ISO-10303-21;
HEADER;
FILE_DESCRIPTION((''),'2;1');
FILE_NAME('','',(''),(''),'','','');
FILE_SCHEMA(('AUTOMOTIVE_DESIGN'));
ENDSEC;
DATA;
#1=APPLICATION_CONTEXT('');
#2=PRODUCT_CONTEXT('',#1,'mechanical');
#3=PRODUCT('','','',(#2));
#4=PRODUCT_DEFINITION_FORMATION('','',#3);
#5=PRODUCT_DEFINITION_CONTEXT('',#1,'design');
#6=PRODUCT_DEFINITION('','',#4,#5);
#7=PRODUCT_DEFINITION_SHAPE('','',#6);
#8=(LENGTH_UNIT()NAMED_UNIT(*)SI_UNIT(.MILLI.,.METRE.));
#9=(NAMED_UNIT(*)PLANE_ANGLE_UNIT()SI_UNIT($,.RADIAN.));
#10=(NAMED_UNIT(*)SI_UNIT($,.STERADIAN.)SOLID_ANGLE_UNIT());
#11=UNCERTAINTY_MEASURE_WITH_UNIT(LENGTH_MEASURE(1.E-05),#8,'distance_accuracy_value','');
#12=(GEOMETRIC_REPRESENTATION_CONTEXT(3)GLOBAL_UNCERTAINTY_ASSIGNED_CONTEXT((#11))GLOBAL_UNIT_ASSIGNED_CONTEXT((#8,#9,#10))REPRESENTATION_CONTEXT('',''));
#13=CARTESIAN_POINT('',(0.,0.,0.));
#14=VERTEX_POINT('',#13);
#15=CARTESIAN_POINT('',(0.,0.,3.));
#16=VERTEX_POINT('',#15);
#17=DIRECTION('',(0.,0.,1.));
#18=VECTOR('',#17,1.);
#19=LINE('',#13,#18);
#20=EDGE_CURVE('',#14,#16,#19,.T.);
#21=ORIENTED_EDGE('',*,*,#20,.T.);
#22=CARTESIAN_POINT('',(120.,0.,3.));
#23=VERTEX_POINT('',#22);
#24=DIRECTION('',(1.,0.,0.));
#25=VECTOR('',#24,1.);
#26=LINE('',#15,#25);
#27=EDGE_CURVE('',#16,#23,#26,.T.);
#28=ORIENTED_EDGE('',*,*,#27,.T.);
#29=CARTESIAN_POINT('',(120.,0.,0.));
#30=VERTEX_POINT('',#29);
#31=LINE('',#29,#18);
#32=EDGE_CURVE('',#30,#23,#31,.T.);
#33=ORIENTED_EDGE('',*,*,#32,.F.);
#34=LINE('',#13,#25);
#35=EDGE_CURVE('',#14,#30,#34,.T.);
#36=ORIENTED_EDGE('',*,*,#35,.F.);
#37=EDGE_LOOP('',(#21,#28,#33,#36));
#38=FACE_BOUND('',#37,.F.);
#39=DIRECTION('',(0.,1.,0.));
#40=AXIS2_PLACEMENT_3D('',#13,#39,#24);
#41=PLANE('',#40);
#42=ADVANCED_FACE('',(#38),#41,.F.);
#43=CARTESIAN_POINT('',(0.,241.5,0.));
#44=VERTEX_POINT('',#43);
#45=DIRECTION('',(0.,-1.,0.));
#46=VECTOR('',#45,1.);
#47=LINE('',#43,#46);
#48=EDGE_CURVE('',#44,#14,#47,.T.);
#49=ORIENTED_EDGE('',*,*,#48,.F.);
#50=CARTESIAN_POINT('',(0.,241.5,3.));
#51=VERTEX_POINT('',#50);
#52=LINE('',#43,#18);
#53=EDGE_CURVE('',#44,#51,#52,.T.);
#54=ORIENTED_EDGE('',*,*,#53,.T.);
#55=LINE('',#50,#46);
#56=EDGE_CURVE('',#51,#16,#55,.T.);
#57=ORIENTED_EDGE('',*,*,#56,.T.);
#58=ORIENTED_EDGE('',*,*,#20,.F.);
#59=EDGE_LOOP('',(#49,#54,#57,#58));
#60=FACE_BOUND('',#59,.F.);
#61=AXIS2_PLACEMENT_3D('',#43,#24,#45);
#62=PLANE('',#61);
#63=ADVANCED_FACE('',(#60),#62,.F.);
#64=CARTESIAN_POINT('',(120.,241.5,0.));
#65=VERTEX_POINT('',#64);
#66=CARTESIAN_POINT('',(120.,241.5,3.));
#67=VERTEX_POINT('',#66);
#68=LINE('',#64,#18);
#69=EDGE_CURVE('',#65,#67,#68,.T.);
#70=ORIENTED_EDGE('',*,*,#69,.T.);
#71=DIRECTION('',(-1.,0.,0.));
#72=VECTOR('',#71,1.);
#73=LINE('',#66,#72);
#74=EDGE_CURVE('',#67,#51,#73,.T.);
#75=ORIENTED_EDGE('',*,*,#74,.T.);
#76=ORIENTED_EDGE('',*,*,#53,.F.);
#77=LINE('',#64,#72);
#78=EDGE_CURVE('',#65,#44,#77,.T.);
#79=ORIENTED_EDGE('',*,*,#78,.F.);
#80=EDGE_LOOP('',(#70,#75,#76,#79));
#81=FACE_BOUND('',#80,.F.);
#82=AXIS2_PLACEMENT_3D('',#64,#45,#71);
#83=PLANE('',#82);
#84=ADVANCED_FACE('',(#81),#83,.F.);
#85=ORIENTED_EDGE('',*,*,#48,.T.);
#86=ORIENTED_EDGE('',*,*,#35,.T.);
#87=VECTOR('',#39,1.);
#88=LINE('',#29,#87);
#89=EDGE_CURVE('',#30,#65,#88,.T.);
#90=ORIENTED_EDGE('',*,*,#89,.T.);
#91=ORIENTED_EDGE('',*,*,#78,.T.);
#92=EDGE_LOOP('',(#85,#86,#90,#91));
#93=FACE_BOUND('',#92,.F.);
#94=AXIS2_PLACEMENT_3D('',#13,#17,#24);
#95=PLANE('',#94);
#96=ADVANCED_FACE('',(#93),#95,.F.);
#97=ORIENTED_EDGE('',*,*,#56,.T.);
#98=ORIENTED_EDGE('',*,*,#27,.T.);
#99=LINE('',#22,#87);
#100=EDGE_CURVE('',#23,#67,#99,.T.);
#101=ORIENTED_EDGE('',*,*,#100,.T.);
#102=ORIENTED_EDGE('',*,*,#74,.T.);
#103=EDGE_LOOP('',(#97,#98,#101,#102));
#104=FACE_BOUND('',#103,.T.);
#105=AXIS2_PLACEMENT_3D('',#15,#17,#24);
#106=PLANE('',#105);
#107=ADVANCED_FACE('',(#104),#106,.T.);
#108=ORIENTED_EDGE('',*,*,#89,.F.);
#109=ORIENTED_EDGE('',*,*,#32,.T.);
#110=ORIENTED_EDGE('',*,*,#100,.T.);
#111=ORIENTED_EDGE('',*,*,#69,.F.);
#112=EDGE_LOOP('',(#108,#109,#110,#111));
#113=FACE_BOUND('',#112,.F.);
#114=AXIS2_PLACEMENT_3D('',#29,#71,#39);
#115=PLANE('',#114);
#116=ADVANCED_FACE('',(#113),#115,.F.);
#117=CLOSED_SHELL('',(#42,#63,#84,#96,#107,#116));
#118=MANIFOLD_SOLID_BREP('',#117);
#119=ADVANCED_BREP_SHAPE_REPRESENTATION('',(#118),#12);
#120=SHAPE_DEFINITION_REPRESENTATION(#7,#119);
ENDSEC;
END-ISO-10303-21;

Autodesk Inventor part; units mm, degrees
ref_plane "YZ Plane" through (0, 0, 0) normal (1, 0, 0) x (0, 1, 0)
ref_plane "XZ Plane" through (0, 0, 0) normal (0, 1, 0) x (-1, 0, 0)
ref_plane "XY Plane" through (0, 0, 0) normal (0, 0, 1) x (1, 0, 0)
sketch "Sketch1" plane through (0, 0, 0) normal (0, 0, 1) x (1, 0, 0)
  line L0 (0, 0) -> (120, 0)
  line L1 (120, 0) -> (120, 241.5)
  line L2 (120, 241.5) -> (0, 241.5)
  line L3 (0, 241.5) -> (0, 0)
  dimension "d0" = 120
  dimension "d1" = 241.5
extrude "Extrusion1" add sketch "Sketch1" along normal blind 3
properties part number "acrylic panel"
